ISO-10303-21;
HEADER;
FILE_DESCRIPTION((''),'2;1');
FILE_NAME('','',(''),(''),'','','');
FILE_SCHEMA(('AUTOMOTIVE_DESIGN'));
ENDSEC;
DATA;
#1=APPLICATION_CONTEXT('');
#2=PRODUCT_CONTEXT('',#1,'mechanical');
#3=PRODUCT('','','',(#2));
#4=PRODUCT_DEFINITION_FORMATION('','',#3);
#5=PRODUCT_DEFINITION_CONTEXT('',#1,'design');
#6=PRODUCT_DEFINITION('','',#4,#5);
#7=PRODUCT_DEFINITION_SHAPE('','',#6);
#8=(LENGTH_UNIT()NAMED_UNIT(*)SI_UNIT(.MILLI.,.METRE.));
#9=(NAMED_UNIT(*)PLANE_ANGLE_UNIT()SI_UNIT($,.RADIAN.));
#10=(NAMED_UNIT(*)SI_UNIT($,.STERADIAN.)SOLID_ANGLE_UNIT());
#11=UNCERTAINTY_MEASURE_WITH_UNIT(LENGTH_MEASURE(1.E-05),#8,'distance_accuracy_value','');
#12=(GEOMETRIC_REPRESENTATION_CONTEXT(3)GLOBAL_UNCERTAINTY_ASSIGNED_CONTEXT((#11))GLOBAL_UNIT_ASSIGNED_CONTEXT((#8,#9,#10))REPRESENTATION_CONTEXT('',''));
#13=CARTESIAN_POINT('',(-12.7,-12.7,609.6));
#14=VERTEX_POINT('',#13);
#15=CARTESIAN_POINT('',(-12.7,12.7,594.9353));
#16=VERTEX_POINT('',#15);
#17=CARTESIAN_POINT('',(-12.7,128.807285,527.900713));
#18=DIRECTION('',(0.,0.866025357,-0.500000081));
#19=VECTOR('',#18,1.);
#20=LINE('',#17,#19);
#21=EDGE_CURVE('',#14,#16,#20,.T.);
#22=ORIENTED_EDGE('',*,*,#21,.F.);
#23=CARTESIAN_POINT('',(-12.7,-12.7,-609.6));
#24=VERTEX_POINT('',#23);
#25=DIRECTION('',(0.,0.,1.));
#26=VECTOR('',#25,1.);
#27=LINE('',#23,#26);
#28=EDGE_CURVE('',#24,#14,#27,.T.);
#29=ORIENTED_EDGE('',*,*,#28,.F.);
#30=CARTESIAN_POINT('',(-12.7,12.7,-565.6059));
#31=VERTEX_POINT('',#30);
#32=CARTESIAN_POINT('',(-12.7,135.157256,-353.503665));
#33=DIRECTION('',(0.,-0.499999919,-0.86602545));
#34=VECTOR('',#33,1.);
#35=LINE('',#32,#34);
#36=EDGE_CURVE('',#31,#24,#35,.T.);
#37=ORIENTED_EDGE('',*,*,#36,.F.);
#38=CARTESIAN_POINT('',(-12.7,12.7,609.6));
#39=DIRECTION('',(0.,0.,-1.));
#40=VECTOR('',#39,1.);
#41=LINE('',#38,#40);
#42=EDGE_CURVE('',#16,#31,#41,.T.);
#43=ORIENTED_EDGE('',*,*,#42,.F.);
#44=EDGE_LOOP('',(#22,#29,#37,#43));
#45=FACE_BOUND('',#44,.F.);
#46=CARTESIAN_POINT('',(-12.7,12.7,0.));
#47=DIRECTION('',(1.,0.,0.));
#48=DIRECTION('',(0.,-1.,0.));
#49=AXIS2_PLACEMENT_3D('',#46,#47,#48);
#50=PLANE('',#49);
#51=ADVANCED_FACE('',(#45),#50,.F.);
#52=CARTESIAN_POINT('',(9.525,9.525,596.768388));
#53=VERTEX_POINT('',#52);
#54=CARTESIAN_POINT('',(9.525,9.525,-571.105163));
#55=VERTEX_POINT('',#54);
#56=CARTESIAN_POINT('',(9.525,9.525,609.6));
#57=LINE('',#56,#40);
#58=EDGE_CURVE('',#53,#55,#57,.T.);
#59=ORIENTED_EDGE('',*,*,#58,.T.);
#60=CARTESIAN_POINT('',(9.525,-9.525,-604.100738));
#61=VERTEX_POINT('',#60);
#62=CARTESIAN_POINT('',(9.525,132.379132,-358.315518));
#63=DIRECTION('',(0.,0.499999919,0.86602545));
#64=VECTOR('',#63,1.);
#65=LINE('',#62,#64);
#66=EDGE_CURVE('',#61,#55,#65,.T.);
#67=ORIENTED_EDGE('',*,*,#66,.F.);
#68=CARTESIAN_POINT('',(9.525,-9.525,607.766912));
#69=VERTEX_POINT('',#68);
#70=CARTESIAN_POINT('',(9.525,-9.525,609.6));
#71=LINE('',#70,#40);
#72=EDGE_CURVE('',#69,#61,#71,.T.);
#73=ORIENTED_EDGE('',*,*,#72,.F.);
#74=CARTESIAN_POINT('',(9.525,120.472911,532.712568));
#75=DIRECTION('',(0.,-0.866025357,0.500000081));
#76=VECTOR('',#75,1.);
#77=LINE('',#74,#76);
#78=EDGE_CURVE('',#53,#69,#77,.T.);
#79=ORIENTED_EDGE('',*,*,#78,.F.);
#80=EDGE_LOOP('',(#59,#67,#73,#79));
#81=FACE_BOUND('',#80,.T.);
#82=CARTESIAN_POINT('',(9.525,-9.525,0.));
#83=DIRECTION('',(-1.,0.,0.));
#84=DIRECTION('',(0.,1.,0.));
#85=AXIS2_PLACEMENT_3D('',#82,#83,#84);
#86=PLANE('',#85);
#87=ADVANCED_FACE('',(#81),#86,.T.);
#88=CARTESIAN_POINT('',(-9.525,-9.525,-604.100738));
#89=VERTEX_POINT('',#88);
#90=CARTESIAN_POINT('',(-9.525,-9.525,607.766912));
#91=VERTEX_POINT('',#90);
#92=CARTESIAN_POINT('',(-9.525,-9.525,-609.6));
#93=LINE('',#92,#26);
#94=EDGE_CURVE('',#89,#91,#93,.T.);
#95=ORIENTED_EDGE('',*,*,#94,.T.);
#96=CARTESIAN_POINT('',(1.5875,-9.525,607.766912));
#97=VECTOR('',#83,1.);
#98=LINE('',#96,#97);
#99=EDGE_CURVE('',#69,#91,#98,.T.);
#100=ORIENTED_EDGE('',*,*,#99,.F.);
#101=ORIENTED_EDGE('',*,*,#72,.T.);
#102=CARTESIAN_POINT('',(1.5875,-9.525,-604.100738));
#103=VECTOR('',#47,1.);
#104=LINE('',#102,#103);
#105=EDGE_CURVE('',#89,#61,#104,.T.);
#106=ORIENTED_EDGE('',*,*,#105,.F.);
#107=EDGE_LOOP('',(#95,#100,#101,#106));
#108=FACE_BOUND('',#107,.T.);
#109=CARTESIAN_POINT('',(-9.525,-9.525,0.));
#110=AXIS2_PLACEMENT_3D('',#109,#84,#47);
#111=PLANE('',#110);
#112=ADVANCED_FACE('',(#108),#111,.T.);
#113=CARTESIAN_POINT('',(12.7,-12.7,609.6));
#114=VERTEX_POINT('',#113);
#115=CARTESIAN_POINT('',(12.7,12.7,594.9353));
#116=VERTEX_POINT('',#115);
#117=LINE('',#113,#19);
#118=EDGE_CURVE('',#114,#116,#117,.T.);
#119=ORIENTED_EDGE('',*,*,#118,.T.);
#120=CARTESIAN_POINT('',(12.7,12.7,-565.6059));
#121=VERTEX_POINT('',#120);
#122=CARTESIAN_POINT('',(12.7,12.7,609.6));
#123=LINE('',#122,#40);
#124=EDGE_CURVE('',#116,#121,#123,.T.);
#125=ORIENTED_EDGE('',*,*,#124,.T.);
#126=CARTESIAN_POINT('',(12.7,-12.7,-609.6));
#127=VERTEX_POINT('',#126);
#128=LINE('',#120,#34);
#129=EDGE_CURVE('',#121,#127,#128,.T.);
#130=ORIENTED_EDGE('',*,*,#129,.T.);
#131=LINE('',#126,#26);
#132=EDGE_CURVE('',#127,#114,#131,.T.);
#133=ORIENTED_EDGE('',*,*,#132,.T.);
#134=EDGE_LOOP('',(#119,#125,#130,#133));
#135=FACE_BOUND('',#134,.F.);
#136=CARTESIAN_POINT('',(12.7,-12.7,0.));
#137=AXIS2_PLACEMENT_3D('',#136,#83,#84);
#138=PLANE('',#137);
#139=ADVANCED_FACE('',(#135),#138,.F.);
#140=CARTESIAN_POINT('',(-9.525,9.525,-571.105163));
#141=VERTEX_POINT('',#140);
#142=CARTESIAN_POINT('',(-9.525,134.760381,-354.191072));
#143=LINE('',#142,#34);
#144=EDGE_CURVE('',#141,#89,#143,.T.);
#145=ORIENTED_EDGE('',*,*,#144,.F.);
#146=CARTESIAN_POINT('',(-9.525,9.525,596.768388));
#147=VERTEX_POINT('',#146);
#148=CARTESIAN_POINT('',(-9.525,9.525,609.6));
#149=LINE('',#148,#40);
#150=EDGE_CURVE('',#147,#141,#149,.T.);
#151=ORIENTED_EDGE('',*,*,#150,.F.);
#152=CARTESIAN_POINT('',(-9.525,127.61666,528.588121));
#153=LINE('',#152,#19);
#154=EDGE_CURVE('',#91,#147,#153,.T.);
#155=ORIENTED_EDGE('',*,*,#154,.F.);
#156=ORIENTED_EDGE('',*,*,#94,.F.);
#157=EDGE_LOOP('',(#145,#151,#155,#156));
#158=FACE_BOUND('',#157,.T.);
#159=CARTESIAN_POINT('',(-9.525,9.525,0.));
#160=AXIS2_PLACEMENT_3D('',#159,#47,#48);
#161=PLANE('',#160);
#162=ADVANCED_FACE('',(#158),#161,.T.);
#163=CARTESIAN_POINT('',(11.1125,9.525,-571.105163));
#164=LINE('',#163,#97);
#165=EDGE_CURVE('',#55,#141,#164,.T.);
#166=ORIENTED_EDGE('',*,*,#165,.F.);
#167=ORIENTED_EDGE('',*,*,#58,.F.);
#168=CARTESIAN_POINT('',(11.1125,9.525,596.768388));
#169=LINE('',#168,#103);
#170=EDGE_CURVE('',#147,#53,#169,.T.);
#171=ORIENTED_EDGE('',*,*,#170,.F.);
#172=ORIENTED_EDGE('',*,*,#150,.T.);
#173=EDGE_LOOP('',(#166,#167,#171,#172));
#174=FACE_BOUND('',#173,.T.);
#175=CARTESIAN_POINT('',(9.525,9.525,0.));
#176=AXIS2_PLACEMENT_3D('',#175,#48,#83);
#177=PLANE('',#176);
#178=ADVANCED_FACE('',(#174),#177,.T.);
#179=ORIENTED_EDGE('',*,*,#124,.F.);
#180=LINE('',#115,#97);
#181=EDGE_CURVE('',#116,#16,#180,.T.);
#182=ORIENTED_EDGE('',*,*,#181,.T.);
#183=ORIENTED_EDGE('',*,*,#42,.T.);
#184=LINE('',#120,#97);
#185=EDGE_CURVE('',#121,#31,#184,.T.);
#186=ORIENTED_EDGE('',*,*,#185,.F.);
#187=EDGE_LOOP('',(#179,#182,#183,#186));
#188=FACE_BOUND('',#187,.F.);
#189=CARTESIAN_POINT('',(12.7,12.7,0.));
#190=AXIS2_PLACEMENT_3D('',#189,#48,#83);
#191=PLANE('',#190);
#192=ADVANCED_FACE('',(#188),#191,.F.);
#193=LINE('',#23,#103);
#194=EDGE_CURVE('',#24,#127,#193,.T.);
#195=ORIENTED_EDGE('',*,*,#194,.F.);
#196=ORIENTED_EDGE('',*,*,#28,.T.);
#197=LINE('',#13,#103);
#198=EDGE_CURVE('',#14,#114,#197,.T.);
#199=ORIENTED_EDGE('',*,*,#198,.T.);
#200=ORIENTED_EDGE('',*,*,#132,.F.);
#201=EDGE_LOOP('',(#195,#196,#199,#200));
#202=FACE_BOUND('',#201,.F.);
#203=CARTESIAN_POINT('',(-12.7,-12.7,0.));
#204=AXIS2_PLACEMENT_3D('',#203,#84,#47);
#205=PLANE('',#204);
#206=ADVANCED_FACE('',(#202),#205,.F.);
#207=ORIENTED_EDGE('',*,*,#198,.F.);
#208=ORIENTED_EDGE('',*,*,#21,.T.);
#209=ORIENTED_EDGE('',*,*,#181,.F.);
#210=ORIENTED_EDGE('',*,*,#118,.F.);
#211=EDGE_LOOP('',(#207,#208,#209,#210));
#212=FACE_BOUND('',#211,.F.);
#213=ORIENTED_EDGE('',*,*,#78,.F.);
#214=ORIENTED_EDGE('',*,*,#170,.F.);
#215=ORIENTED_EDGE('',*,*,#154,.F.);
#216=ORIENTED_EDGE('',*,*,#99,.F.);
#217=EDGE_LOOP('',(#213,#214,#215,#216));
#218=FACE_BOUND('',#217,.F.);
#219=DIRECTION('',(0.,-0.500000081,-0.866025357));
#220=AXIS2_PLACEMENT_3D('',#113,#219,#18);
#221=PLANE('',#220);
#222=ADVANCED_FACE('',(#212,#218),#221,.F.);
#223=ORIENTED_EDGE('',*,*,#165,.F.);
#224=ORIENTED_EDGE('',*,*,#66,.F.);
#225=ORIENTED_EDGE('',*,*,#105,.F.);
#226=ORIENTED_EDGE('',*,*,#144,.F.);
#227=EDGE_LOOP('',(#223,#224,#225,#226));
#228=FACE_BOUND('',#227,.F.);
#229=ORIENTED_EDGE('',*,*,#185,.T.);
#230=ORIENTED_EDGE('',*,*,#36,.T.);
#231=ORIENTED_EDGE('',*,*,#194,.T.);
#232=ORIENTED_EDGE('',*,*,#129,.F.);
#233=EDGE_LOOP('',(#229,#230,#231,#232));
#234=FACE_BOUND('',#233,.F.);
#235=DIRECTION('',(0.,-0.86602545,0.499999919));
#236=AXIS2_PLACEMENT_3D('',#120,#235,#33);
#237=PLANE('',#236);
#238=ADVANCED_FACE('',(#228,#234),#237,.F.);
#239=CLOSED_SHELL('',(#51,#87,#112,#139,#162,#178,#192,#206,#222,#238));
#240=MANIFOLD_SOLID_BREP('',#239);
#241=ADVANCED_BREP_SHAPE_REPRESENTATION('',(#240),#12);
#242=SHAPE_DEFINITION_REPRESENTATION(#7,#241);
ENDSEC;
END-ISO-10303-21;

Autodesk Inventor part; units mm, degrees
ref_plane "YZ Plane" through (0, 0, 0) normal (1, 0, 0) x (0, 1, 0)
ref_plane "XZ Plane" through (0, 0, 0) normal (0, 1, 0) x (-1, 0, 0)
ref_plane "XY Plane" through (0, 0, 0) normal (0, 0, 1) x (1, 0, 0)
sketch "Sketch1" plane through (0, 0, 0) normal (0, 0, 1) x (1, 0, 0)
  line L0 (-12.7, -12.7) -> (12.7, -12.7)
  line L1 (12.7, -12.7) -> (12.7, 12.7)
  line L2 (12.7, 12.7) -> (-12.7, 12.7)
  line L3 (-12.7, 12.7) -> (-12.7, -12.7)
  line L4 (-12.7, -12.7) -> (12.7, 12.7) construction
  line L5 (12.7, -12.7) -> (-12.7, 12.7) construction
  line L6 (-9.525, -9.525) -> (9.525, -9.525)
  line L7 (9.525, -9.525) -> (9.525, 9.525)
  line L8 (9.525, 9.525) -> (-9.525, 9.525)
  line L9 (-9.525, 9.525) -> (-9.525, -9.525)
  line L10 (-9.525, -9.525) -> (9.525, 9.525) construction
  line L11 (9.525, -9.525) -> (-9.525, 9.525) construction
  point P0 (0, 0)
  dimension "d0" = 25.4
  dimension "d1" = 3.175
extrude "Extrusion1" add sketch "Sketch1" along normal mid plane 1219.2
sketch "Sketch3" plane through (12.7, -12.7, 609.6) normal (1, 0, 0) x (0, 0, -1)
  line L0 (1219.2, 25.4) -> (0, 25.4) projected
  line L1 (0, 0) -> (1219.2, 0) projected
  line L2 (0, 25.4) -> (0, 0)
  line L3 (0, 0) -> (14.6647, 25.4)
  line L4 (1219.2, 0) -> (1219.2, 25.4)
  line L5 (1219.2, 22.225) -> (1219.2, 3.175) projected
  line L6 (1175.2059, 25.4) -> (1219.2, 0)
  point P0 (609.6, 12.7)
  dimension "d6" = 30
  dimension "d7" = 60
extrude "Extrusion3" cut sketch "Sketch3" against normal through all contours L4 L6 L0 | L3 L2 L0
properties part number "30-60-supportBrace"
